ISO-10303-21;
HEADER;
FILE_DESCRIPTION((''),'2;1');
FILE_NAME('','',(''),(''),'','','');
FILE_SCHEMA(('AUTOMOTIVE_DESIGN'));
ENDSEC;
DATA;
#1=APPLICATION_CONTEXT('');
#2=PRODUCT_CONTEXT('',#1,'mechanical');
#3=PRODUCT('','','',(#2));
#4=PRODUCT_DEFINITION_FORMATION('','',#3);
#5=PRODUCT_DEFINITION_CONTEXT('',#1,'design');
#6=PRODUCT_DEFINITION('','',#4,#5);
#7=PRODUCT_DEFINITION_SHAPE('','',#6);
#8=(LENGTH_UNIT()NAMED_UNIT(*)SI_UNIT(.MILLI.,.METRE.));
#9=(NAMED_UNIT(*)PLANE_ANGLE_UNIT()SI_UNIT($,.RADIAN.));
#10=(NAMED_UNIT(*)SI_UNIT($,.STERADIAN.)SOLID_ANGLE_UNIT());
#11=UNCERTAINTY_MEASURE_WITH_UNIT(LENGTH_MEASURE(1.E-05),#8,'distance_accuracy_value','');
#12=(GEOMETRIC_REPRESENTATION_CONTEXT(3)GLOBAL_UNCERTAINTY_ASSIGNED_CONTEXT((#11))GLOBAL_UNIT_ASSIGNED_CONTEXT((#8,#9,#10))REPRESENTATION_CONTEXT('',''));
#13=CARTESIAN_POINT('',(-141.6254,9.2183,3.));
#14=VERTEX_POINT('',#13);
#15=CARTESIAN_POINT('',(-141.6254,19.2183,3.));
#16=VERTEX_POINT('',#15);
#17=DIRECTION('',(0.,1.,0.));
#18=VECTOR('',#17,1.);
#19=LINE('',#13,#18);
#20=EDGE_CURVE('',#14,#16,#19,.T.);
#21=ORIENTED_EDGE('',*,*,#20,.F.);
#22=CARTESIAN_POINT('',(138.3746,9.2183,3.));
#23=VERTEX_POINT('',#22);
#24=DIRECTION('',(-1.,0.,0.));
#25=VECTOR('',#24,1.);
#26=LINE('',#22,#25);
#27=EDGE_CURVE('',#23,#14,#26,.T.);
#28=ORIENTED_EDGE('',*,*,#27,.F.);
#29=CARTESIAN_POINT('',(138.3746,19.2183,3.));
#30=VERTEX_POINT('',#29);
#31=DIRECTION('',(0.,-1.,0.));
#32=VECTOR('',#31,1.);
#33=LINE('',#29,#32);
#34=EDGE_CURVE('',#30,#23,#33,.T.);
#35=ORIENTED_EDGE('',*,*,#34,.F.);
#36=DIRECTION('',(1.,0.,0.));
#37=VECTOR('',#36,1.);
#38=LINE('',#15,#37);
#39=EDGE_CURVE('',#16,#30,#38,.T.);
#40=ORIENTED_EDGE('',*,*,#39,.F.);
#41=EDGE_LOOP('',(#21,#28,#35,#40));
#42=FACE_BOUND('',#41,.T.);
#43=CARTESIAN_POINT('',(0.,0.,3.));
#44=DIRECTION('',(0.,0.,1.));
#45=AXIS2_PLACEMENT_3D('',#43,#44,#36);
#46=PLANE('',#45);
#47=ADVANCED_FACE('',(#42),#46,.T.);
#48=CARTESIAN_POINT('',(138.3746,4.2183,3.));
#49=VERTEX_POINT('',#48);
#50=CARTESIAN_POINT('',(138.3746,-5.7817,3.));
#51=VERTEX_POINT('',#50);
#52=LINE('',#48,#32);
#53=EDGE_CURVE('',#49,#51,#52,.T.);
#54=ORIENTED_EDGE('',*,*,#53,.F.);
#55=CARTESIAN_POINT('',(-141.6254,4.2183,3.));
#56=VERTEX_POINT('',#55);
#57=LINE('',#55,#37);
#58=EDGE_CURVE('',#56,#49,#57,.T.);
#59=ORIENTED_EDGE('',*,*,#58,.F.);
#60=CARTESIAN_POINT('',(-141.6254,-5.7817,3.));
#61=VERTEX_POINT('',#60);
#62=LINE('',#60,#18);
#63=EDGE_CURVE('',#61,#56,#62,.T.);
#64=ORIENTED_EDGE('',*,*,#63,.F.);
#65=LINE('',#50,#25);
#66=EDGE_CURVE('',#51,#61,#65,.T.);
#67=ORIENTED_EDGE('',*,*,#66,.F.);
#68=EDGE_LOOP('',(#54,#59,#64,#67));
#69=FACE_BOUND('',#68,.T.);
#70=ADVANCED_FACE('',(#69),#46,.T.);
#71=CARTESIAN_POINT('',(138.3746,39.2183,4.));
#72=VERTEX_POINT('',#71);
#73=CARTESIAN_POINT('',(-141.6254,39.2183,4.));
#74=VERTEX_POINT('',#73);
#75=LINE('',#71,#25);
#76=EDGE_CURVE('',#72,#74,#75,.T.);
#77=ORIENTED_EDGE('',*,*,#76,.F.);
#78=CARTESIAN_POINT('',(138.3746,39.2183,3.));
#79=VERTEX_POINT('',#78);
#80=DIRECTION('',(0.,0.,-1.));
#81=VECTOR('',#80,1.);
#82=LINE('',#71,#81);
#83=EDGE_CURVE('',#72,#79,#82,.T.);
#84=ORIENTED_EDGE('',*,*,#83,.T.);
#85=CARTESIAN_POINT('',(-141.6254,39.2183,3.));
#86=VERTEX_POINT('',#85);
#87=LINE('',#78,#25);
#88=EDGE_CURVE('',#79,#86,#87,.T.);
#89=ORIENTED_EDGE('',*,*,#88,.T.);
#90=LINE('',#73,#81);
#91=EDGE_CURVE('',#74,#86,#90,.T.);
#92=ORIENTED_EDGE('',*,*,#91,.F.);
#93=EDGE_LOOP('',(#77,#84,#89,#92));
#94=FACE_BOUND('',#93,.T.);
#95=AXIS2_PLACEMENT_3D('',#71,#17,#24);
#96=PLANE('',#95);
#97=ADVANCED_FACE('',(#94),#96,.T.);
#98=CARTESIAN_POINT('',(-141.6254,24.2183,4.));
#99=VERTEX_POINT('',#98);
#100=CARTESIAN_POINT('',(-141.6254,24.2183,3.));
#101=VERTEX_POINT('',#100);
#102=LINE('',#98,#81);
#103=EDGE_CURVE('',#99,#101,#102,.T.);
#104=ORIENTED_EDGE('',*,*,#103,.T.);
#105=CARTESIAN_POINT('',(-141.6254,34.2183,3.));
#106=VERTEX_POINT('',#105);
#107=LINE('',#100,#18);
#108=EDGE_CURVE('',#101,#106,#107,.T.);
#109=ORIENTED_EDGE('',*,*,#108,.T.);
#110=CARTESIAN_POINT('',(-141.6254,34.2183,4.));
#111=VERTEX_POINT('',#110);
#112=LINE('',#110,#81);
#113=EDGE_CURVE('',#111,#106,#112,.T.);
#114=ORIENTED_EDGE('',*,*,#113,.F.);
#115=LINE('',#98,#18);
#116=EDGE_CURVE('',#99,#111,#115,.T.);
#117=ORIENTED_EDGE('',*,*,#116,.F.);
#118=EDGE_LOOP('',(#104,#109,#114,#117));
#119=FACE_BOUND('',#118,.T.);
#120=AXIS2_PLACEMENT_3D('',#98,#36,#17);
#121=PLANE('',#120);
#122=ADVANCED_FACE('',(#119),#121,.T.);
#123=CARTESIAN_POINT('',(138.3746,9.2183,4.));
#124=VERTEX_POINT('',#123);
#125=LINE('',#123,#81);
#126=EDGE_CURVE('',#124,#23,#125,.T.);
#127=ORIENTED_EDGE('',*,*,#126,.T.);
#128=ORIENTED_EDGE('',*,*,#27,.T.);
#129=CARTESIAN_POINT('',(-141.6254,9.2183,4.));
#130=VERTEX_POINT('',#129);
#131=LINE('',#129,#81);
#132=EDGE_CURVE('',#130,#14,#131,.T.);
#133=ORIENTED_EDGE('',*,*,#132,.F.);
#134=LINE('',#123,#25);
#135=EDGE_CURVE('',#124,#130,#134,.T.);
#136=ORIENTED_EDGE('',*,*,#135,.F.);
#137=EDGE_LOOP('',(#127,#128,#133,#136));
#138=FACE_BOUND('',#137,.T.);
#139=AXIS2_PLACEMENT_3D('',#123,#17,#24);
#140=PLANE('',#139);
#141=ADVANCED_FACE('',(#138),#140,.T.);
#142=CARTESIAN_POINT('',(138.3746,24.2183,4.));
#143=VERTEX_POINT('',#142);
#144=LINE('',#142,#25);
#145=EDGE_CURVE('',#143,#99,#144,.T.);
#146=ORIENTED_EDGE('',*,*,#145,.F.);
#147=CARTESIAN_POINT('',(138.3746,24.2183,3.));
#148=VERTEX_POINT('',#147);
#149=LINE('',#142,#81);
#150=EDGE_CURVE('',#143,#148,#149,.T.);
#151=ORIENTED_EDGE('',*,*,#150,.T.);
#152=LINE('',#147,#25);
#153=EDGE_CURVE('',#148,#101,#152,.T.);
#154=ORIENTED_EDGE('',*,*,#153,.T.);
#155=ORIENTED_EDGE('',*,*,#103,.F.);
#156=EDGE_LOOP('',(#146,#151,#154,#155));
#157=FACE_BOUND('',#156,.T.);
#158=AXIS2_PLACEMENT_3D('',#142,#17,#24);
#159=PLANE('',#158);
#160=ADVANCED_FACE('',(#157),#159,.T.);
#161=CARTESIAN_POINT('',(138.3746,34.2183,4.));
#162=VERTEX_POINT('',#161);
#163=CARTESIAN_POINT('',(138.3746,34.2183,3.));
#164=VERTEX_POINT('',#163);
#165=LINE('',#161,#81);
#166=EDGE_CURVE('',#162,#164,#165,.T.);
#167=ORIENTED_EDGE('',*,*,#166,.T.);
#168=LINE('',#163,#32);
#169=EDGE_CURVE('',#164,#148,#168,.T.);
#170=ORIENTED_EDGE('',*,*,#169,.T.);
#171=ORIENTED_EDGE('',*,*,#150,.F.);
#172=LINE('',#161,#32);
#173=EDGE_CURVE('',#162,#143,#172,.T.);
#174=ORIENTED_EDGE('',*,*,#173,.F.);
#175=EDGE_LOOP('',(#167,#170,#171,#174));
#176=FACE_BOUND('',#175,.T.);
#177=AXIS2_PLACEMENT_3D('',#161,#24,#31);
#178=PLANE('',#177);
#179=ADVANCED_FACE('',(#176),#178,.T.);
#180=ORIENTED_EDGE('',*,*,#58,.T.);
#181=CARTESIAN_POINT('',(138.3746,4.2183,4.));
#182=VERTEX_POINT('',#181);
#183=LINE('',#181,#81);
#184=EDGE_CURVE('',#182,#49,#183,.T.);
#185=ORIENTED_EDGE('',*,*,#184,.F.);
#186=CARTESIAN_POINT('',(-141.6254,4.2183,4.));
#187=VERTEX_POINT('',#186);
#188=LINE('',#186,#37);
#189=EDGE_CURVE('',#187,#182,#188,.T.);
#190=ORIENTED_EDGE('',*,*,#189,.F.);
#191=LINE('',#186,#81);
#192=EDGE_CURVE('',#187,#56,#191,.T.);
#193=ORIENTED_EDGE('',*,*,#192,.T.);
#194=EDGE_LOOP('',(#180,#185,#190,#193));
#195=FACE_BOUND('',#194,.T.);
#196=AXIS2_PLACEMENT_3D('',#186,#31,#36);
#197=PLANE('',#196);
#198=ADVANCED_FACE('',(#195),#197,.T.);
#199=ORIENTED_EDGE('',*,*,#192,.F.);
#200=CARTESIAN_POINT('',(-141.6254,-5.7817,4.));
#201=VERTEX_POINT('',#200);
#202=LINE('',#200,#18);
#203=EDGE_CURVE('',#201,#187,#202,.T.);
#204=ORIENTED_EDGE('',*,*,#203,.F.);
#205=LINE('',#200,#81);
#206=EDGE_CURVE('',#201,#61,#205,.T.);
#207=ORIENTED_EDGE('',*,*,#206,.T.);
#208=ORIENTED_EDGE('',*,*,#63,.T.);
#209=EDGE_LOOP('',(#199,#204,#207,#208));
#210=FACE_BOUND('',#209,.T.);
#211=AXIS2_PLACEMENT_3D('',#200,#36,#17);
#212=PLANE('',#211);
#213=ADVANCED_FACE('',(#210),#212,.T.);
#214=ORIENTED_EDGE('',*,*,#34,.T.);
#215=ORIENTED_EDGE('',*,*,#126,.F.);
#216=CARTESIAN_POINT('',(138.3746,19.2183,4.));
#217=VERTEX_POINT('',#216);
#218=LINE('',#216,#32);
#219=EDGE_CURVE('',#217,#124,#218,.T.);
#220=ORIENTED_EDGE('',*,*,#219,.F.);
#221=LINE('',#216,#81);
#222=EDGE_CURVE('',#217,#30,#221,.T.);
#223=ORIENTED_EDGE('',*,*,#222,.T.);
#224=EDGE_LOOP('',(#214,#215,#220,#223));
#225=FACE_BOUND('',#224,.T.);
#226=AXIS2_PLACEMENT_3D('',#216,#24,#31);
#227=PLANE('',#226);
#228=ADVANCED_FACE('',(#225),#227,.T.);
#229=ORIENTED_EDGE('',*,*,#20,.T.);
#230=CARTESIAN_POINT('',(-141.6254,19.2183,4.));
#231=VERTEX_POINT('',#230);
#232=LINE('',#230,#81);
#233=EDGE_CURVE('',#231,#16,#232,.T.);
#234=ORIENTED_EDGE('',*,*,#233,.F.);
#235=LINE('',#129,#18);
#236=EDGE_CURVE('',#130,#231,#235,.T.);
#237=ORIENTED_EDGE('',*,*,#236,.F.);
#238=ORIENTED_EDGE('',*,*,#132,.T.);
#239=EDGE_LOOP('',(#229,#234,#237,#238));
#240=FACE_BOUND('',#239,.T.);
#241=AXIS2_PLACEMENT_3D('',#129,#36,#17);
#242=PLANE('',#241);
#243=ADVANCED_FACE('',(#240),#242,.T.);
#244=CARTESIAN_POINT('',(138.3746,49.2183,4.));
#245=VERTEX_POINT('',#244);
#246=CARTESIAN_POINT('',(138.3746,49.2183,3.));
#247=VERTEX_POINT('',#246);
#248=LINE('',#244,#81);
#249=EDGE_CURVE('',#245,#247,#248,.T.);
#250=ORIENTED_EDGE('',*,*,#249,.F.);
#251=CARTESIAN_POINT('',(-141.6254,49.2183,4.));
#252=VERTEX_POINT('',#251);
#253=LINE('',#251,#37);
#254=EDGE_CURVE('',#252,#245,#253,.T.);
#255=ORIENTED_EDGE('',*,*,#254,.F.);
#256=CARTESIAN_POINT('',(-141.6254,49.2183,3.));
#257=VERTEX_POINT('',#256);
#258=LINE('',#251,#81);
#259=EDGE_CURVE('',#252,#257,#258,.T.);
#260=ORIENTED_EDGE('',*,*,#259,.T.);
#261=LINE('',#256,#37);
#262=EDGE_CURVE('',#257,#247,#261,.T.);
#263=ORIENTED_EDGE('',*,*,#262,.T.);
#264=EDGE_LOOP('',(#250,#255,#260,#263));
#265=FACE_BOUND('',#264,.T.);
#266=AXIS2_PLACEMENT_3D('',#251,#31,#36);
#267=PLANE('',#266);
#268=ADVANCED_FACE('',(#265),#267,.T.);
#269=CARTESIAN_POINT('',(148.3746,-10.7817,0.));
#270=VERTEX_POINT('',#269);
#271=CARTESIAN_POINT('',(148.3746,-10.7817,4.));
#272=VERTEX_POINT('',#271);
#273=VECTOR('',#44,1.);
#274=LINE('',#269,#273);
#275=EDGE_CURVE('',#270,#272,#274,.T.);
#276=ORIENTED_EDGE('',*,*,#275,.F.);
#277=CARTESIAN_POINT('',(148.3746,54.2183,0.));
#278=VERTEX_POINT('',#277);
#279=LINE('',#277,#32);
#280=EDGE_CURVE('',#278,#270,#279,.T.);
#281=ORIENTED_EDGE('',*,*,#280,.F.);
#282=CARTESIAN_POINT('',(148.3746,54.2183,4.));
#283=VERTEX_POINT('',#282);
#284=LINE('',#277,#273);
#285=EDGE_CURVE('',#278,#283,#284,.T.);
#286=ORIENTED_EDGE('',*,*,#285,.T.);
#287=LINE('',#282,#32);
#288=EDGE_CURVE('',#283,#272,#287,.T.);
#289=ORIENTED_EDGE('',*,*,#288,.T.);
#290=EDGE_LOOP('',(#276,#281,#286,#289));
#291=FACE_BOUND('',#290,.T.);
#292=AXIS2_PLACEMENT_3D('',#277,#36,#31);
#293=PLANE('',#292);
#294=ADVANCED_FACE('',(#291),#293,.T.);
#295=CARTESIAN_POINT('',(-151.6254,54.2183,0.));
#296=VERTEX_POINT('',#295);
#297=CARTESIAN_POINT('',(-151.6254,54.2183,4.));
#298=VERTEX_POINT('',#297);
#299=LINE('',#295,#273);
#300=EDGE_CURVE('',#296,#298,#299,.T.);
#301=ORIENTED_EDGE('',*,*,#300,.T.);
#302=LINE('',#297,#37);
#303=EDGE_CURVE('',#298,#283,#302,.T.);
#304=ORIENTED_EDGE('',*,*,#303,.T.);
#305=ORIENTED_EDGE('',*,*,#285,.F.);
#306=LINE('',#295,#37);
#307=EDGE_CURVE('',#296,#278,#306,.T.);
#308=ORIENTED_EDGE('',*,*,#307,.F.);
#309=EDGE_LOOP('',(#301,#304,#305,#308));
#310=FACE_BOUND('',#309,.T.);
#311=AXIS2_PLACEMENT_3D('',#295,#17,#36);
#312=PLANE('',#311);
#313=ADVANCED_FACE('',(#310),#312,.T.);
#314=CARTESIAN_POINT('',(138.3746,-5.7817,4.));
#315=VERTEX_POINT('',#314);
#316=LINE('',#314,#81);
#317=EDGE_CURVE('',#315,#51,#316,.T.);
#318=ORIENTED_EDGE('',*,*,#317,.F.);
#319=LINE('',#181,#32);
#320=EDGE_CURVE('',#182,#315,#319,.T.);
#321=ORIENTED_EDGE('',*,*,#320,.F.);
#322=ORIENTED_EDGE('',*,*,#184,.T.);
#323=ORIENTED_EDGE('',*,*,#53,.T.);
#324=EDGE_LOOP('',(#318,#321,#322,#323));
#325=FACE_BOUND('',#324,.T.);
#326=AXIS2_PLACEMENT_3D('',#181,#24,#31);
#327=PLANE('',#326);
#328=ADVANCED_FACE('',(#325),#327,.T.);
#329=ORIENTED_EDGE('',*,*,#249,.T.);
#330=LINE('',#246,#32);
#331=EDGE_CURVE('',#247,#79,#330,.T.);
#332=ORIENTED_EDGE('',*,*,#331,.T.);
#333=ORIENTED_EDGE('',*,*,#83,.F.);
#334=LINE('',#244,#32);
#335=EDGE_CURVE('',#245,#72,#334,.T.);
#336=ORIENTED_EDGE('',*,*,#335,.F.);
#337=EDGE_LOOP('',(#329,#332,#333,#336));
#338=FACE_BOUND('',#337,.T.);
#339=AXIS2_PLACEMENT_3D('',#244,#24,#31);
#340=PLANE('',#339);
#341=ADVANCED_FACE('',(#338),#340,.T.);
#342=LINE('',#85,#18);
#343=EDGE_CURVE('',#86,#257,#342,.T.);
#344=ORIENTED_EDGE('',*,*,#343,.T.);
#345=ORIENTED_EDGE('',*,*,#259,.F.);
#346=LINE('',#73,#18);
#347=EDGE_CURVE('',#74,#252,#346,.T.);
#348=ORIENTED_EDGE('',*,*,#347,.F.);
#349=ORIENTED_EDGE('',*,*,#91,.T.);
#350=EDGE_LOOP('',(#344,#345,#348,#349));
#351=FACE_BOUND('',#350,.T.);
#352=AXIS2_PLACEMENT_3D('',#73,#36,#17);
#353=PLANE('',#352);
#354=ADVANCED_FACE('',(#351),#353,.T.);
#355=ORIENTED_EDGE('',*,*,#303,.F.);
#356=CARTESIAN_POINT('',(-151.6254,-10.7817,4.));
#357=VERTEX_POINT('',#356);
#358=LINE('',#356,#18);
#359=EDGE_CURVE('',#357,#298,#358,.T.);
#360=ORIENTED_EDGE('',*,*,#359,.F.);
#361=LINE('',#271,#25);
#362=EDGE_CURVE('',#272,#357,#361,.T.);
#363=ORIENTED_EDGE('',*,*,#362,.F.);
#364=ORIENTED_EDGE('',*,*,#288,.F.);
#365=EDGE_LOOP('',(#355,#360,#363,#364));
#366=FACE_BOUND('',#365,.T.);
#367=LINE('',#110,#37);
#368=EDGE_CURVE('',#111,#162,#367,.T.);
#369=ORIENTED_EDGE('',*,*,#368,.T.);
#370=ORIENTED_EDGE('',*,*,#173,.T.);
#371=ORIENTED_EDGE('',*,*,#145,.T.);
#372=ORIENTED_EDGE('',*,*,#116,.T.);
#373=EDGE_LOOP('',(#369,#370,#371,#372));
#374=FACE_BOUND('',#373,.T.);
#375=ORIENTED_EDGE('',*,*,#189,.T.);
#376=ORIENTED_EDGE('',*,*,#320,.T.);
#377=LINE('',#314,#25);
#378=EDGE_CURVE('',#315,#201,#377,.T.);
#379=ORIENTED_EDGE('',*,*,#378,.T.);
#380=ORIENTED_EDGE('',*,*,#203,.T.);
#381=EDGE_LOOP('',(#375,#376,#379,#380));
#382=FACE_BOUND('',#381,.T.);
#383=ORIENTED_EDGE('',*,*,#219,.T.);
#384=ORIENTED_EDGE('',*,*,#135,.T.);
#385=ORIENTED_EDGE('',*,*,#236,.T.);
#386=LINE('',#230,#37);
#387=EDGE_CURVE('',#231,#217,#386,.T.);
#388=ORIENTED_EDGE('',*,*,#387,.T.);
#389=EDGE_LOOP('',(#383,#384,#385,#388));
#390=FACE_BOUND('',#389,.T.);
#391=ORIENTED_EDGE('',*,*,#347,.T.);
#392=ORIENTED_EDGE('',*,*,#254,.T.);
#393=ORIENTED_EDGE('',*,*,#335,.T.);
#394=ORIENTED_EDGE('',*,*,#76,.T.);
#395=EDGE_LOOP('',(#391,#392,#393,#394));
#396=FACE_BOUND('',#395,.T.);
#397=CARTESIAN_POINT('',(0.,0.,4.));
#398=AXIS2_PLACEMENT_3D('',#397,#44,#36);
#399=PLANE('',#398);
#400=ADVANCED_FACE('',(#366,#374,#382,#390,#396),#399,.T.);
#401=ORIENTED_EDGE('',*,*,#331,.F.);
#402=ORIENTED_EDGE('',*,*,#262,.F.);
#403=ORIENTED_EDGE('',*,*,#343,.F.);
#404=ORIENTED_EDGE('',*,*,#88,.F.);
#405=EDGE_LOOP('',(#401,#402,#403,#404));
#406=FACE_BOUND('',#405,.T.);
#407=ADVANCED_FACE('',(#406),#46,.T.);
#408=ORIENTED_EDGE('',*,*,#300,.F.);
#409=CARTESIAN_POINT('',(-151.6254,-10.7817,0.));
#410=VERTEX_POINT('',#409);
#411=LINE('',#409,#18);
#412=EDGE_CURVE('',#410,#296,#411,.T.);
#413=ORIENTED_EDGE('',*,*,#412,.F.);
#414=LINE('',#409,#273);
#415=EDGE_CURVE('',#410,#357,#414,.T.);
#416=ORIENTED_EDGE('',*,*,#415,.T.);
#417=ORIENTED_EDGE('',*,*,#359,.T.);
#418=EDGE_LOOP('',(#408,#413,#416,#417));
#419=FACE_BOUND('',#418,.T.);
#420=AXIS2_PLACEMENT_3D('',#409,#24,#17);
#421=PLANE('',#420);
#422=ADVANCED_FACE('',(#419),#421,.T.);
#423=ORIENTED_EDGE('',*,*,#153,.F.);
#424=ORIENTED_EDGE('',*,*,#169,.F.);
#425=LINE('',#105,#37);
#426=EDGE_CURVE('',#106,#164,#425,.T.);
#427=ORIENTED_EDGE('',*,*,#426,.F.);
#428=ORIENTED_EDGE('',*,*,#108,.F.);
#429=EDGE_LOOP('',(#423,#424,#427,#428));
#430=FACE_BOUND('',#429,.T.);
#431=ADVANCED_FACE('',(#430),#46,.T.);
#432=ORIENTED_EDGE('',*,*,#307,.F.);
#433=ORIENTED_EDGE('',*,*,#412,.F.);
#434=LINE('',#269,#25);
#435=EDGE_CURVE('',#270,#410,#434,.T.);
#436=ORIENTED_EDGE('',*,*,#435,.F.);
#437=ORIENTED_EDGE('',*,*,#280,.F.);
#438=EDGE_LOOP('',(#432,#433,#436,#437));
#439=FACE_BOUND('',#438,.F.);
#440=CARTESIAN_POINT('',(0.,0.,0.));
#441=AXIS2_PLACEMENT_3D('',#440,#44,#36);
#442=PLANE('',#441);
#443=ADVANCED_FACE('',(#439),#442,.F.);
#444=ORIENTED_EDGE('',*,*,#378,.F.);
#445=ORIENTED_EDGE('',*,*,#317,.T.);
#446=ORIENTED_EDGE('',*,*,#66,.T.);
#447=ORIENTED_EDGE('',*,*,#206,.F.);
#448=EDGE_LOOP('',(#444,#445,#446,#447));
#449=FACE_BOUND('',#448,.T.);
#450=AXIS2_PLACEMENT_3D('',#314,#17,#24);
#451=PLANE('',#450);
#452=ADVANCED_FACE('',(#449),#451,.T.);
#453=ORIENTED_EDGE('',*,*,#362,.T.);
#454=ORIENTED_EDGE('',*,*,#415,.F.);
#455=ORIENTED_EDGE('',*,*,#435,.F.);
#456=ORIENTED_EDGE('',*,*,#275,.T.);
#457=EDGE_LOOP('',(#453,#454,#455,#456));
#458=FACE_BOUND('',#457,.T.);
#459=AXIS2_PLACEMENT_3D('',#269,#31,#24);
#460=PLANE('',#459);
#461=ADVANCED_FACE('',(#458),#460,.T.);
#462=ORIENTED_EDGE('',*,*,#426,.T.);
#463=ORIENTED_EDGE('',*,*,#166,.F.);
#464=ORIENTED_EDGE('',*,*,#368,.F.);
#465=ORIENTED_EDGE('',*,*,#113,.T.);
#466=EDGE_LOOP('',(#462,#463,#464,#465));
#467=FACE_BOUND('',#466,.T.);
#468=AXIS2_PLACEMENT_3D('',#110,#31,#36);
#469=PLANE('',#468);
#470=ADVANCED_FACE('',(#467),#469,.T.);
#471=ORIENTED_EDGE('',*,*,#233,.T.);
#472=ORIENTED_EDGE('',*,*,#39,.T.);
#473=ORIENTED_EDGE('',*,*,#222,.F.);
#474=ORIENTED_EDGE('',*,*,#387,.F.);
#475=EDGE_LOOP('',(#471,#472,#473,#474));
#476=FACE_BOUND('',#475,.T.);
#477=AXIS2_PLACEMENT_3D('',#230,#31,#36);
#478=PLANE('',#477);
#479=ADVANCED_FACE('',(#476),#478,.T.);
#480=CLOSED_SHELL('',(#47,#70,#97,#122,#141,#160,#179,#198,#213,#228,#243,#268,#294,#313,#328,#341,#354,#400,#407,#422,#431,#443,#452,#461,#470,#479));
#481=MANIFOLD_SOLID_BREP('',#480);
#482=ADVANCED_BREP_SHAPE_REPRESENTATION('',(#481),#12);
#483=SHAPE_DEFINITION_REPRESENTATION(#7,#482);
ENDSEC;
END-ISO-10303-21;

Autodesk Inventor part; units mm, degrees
ref_plane "YZ Plane" through (0, 0, 0) normal (1, 0, 0) x (0, 1, 0)
ref_plane "XZ Plane" through (0, 0, 0) normal (0, 1, 0) x (-1, 0, 0)
ref_plane "XY Plane" through (0, 0, 0) normal (0, 0, 1) x (1, 0, 0)
sketch "Esquisse1" plane through (0, 0, 0) normal (0, 0, 1) x (1, 0, 0)
  line L0 (-151.6254, 54.2183) -> (148.3746, 54.2183)
  line L1 (148.3746, 54.2183) -> (148.3746, -10.7817)
  line L2 (148.3746, -10.7817) -> (-151.6254, -10.7817)
  line L3 (-151.6254, -10.7817) -> (-151.6254, 54.2183)
  point P0 (0, 0)
  dimension "d0" = 300
  dimension "d1" = 65
extrude "Extrusion1" add sketch "Esquisse1" along normal blind 4
sketch "Esquisse2" plane through (0, 0, 4) normal (0, 0, 1) x (1, 0, 0)
  line L0 (-141.6254, 49.2183) -> (138.3746, 49.2183)
  line L1 (138.3746, 49.2183) -> (138.3746, 39.2183)
  line L2 (138.3746, 39.2183) -> (-141.6254, 39.2183)
  line L3 (-141.6254, 39.2183) -> (-141.6254, 49.2183)
  line L4 (-141.6254, 34.2183) -> (138.3746, 34.2183)
  line L5 (138.3746, 34.2183) -> (138.3746, 24.2183)
  line L6 (138.3746, 24.2183) -> (-141.6254, 24.2183)
  line L7 (-141.6254, 24.2183) -> (-141.6254, 34.2183)
  line L8 (-141.6254, 19.2183) -> (138.3746, 19.2183)
  line L9 (138.3746, 19.2183) -> (138.3746, 9.2183)
  line L10 (138.3746, 9.2183) -> (-141.6254, 9.2183)
  line L11 (-141.6254, 9.2183) -> (-141.6254, 19.2183)
  line L12 (-141.6254, 4.2183) -> (138.3746, 4.2183)
  line L13 (138.3746, 4.2183) -> (138.3746, -5.7817)
  line L14 (138.3746, -5.7817) -> (-141.6254, -5.7817)
  line L15 (-141.6254, -5.7817) -> (-141.6254, 4.2183)
  line L16 (148.3746, 54.2183) -> (-151.6254, 54.2183) projected
  line L17 (148.3746, -10.7817) -> (148.3746, 54.2183) projected
  point P0 (0, 0)
  dimension "d4" = 5
  dimension "d5" = 10
  dimension "d6" = 5
  dimension "d7" = 10
  dimension "d8" = 5
  dimension "d9" = 10
  dimension "d10" = 5
  dimension "d11" = 10
  dimension "d12" = 280
  dimension "d13" = 10
extrude "Extrusion2" cut sketch "Esquisse2" against normal blind 1
